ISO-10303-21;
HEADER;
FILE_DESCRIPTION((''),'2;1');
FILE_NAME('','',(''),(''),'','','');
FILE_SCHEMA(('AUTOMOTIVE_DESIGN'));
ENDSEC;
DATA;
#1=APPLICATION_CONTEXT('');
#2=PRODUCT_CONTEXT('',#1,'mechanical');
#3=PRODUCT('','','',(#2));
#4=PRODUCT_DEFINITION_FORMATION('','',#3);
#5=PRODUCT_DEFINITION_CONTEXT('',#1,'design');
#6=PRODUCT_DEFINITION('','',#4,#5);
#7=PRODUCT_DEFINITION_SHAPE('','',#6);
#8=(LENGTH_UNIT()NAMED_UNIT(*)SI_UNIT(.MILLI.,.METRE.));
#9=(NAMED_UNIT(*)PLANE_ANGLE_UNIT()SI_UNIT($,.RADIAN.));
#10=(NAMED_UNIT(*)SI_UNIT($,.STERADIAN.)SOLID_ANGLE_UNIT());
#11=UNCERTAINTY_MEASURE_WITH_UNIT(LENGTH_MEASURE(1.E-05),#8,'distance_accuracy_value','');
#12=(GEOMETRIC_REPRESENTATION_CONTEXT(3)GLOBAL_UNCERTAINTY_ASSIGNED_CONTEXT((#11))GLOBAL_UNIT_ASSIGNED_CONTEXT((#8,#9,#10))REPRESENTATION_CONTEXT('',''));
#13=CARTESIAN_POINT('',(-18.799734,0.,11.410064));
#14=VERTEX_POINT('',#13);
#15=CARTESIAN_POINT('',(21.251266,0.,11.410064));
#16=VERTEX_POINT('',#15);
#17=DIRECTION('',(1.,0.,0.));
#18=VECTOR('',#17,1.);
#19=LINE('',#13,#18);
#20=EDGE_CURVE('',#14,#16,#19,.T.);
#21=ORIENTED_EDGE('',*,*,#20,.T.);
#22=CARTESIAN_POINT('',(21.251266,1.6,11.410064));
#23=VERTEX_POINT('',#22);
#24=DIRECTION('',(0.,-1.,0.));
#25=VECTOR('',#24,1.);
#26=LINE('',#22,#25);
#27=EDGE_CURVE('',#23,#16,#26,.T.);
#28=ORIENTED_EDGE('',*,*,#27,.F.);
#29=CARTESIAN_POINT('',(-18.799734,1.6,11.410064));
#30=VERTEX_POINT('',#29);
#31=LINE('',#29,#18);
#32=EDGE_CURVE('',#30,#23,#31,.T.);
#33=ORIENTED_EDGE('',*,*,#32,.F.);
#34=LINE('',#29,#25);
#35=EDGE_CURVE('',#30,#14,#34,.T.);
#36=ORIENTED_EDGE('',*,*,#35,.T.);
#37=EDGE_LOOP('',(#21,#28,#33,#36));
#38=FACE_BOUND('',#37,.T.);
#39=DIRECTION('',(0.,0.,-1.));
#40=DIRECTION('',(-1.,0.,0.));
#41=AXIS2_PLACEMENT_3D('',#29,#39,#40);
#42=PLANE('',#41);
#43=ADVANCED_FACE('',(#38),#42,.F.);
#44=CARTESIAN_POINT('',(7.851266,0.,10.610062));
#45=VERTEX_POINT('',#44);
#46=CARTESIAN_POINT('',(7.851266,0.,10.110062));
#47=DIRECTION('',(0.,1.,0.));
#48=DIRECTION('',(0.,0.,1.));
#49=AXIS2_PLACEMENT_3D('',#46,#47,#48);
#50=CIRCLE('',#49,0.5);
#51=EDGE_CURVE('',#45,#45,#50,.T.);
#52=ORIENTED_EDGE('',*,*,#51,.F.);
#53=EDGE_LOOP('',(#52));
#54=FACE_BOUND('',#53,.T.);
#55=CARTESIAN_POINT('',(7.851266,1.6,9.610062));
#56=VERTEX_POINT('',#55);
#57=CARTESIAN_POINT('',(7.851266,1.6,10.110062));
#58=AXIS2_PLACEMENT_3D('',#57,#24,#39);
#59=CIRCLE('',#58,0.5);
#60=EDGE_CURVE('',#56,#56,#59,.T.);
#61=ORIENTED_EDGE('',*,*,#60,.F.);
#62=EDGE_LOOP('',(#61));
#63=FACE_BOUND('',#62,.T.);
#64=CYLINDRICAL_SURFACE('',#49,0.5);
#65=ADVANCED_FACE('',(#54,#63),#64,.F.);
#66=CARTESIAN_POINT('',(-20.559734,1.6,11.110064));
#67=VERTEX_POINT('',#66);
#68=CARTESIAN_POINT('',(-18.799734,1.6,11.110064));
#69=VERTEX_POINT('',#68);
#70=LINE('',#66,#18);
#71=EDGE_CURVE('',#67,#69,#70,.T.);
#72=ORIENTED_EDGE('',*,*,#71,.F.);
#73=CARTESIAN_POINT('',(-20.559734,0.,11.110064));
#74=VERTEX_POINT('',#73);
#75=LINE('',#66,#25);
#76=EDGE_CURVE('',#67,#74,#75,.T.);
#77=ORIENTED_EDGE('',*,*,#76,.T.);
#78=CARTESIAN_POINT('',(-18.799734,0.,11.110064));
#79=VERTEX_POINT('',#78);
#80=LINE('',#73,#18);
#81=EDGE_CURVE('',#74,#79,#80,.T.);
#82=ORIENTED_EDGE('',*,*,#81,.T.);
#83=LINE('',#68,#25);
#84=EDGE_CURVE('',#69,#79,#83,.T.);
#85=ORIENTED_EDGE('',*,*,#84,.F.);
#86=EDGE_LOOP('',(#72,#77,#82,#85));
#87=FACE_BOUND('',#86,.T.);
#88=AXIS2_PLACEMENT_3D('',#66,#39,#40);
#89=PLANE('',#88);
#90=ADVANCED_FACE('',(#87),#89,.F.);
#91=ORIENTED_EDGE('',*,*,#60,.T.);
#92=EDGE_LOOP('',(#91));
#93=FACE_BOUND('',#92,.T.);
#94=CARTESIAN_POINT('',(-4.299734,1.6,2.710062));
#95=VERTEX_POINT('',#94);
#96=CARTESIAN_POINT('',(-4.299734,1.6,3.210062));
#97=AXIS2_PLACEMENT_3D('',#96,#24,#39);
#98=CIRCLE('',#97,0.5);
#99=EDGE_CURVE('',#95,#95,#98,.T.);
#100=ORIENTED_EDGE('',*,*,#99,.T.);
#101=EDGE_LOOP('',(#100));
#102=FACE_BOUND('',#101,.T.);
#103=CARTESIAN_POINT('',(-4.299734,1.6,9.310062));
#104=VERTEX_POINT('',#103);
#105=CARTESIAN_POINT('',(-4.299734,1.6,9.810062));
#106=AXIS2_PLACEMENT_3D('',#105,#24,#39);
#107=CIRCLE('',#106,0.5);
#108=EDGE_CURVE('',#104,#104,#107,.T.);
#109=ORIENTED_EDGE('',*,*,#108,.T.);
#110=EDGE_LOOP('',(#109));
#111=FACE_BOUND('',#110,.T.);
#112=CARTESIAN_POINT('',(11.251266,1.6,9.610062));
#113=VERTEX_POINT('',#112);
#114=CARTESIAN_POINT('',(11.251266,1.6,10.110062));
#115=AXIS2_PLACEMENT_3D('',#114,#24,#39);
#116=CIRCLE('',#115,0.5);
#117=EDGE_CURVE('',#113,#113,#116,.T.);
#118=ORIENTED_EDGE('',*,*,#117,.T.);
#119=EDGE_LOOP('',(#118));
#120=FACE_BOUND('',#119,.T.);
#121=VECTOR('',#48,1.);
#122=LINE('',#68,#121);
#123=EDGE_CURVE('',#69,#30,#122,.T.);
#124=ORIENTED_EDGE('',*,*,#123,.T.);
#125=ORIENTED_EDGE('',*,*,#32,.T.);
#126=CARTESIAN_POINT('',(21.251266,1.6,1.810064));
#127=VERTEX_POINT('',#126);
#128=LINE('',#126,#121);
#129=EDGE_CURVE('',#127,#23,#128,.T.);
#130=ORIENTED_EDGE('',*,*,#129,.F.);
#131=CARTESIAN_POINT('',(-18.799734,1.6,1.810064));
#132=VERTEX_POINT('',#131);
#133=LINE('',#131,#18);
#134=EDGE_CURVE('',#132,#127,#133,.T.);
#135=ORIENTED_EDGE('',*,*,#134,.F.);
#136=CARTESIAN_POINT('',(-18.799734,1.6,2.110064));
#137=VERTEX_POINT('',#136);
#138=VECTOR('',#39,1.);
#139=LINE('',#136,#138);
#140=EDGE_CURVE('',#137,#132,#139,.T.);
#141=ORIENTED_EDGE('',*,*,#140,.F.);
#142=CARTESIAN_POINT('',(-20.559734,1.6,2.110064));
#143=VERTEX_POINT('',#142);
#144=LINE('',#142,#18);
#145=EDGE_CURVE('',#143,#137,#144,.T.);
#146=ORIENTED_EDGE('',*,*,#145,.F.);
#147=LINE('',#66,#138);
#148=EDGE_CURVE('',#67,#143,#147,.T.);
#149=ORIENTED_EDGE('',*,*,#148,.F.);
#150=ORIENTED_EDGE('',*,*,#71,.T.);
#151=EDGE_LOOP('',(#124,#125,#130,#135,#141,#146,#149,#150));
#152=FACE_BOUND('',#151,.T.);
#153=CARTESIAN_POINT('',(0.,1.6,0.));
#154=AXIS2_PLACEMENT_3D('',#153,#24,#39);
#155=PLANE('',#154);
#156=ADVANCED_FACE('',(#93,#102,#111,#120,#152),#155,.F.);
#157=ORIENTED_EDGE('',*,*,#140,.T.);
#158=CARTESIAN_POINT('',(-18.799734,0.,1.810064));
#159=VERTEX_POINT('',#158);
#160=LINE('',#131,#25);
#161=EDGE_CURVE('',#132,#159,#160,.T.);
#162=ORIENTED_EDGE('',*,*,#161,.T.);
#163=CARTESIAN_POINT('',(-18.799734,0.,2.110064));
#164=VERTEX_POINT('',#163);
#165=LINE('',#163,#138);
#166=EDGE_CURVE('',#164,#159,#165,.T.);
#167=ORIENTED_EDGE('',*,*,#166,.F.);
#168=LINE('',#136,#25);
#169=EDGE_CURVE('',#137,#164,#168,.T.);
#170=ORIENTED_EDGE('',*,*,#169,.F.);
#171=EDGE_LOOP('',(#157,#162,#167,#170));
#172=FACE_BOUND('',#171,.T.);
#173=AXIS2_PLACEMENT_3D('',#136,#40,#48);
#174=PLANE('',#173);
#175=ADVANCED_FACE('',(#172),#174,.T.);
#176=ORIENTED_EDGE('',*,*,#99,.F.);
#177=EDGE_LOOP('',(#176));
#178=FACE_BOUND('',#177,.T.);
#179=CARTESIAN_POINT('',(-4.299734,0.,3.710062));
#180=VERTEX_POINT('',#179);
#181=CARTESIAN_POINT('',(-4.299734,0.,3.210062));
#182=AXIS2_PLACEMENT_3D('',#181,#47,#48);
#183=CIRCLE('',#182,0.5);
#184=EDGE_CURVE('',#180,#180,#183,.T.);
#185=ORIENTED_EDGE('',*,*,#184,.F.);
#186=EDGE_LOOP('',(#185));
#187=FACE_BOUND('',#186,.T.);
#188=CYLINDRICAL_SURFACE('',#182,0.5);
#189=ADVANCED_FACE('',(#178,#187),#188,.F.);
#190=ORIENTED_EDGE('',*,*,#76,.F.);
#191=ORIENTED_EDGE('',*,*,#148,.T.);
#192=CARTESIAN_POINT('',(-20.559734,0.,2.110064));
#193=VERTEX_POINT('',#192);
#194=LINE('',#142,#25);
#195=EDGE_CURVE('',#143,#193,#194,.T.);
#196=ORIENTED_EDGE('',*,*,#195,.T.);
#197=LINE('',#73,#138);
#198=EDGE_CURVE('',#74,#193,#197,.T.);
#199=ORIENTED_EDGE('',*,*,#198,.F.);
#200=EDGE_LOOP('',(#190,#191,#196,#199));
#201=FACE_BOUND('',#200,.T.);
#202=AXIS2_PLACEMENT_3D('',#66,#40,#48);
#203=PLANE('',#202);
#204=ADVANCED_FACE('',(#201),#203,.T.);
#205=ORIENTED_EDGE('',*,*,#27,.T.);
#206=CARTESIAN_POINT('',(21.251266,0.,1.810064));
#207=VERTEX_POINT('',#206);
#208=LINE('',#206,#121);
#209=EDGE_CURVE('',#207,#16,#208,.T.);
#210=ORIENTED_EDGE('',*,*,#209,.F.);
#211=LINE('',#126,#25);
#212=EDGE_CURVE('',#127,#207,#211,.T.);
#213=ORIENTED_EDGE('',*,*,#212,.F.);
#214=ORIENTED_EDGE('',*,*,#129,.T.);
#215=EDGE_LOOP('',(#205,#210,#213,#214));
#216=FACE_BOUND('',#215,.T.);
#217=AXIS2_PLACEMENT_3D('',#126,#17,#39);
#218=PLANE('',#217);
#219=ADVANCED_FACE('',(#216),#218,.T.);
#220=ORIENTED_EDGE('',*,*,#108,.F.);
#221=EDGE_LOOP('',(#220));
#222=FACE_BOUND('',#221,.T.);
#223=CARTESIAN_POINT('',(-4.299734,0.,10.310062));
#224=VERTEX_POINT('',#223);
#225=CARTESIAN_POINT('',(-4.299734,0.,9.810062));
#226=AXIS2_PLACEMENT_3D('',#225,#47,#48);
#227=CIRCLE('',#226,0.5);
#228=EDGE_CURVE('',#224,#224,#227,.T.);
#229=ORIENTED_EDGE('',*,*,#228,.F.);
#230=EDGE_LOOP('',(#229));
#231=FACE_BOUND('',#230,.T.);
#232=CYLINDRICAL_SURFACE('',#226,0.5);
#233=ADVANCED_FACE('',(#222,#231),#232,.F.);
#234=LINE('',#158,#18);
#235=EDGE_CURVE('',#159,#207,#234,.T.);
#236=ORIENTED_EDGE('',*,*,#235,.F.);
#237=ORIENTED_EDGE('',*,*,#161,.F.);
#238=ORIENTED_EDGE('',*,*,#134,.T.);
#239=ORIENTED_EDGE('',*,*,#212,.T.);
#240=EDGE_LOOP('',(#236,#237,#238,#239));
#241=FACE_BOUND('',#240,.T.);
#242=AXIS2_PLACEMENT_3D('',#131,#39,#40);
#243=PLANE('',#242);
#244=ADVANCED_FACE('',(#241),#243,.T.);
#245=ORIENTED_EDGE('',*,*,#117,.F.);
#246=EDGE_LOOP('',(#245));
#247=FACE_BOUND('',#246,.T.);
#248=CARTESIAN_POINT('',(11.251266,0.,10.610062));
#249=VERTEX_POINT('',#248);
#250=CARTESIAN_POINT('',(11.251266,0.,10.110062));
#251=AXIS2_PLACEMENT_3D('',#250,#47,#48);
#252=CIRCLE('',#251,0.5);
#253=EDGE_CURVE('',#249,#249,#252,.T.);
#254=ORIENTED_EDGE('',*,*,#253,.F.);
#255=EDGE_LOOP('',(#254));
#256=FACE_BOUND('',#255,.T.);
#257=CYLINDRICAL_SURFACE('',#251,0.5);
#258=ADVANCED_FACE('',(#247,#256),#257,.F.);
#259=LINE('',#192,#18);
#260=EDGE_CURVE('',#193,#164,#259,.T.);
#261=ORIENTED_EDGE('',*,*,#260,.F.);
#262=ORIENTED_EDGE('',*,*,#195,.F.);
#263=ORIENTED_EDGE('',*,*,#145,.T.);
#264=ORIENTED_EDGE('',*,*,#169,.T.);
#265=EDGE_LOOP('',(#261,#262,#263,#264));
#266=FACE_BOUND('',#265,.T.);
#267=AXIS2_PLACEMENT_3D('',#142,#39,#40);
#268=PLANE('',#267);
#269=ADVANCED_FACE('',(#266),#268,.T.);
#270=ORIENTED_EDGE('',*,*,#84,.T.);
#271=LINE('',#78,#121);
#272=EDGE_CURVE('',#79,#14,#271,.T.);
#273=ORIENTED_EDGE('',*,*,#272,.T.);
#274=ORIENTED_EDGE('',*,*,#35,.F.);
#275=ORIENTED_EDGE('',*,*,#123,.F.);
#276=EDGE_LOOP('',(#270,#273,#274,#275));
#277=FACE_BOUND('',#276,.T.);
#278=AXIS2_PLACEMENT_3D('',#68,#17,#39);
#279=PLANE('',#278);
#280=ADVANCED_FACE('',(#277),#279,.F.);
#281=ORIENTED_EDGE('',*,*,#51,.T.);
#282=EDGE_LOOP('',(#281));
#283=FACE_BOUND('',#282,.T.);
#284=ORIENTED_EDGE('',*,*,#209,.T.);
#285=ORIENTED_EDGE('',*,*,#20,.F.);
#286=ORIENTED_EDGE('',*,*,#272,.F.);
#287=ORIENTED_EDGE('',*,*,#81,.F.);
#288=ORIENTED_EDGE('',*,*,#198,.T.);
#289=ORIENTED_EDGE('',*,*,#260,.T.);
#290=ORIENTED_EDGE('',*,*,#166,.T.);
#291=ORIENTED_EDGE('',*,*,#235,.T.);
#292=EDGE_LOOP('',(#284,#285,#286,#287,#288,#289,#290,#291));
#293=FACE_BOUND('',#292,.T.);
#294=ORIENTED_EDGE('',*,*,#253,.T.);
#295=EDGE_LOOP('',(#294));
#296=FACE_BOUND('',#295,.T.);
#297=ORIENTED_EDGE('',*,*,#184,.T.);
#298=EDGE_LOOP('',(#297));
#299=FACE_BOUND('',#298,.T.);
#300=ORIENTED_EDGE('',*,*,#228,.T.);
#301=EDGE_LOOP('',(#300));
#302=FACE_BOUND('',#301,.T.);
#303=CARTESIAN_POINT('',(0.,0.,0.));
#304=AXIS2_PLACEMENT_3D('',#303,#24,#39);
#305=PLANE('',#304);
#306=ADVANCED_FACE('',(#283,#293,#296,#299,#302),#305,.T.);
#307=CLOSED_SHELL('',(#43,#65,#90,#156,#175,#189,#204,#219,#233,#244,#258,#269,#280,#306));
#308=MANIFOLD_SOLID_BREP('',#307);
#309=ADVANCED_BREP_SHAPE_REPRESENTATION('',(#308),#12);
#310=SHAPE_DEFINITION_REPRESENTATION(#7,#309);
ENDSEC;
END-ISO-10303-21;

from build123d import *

# Parameters (mm, degrees)
BOSS_EXTRUDE3_DEPTH     = 1.6
SKETCH2_R               = 0.5
CUT_EXTRUDE1_DEPTH      = 1
CUT_EXTRUDE1_DEPTH_BACK = 2.6


with BuildPart() as part:
    # Sketch1 → Boss-Extrude3 (new body)
    with BuildSketch(Plane(origin=(0, 0, 0), x_dir=(1, 0, 0), z_dir=(0, 1, 0))):
        Polygon((21.251265924, -1.81006359), (21.251265924, -11.41006359), (-18.799734076, -11.41006359), (-18.799734076, -11.11006359), (-20.559734076, -11.11006359), (-20.559734076, -2.11006359), (-18.799734076, -2.11006359), (-18.799734076, -1.81006359), align=None)
    extrude(amount=BOSS_EXTRUDE3_DEPTH)

    # Sketch2 → Cut-Extrude1 (cut, two sides)
    with BuildSketch(Plane(origin=(0, 1.6, 0), x_dir=(1, 0, 0), z_dir=(0, 1, 0))) as cut_extrude1_sk:
        with Locations((-4.299734334, -3.210062239)):
            Circle(SKETCH2_R)
        with Locations((-4.299734334, -9.810062239)):
            Circle(SKETCH2_R)
        with Locations((7.851265666, -10.110062239)):
            Circle(SKETCH2_R)
        with Locations((11.251265666, -10.110062239)):
            Circle(SKETCH2_R)
    extrude(amount=CUT_EXTRUDE1_DEPTH, mode=Mode.SUBTRACT)
    extrude(cut_extrude1_sk.sketch, amount=-CUT_EXTRUDE1_DEPTH_BACK, mode=Mode.SUBTRACT)


solid = part.part
